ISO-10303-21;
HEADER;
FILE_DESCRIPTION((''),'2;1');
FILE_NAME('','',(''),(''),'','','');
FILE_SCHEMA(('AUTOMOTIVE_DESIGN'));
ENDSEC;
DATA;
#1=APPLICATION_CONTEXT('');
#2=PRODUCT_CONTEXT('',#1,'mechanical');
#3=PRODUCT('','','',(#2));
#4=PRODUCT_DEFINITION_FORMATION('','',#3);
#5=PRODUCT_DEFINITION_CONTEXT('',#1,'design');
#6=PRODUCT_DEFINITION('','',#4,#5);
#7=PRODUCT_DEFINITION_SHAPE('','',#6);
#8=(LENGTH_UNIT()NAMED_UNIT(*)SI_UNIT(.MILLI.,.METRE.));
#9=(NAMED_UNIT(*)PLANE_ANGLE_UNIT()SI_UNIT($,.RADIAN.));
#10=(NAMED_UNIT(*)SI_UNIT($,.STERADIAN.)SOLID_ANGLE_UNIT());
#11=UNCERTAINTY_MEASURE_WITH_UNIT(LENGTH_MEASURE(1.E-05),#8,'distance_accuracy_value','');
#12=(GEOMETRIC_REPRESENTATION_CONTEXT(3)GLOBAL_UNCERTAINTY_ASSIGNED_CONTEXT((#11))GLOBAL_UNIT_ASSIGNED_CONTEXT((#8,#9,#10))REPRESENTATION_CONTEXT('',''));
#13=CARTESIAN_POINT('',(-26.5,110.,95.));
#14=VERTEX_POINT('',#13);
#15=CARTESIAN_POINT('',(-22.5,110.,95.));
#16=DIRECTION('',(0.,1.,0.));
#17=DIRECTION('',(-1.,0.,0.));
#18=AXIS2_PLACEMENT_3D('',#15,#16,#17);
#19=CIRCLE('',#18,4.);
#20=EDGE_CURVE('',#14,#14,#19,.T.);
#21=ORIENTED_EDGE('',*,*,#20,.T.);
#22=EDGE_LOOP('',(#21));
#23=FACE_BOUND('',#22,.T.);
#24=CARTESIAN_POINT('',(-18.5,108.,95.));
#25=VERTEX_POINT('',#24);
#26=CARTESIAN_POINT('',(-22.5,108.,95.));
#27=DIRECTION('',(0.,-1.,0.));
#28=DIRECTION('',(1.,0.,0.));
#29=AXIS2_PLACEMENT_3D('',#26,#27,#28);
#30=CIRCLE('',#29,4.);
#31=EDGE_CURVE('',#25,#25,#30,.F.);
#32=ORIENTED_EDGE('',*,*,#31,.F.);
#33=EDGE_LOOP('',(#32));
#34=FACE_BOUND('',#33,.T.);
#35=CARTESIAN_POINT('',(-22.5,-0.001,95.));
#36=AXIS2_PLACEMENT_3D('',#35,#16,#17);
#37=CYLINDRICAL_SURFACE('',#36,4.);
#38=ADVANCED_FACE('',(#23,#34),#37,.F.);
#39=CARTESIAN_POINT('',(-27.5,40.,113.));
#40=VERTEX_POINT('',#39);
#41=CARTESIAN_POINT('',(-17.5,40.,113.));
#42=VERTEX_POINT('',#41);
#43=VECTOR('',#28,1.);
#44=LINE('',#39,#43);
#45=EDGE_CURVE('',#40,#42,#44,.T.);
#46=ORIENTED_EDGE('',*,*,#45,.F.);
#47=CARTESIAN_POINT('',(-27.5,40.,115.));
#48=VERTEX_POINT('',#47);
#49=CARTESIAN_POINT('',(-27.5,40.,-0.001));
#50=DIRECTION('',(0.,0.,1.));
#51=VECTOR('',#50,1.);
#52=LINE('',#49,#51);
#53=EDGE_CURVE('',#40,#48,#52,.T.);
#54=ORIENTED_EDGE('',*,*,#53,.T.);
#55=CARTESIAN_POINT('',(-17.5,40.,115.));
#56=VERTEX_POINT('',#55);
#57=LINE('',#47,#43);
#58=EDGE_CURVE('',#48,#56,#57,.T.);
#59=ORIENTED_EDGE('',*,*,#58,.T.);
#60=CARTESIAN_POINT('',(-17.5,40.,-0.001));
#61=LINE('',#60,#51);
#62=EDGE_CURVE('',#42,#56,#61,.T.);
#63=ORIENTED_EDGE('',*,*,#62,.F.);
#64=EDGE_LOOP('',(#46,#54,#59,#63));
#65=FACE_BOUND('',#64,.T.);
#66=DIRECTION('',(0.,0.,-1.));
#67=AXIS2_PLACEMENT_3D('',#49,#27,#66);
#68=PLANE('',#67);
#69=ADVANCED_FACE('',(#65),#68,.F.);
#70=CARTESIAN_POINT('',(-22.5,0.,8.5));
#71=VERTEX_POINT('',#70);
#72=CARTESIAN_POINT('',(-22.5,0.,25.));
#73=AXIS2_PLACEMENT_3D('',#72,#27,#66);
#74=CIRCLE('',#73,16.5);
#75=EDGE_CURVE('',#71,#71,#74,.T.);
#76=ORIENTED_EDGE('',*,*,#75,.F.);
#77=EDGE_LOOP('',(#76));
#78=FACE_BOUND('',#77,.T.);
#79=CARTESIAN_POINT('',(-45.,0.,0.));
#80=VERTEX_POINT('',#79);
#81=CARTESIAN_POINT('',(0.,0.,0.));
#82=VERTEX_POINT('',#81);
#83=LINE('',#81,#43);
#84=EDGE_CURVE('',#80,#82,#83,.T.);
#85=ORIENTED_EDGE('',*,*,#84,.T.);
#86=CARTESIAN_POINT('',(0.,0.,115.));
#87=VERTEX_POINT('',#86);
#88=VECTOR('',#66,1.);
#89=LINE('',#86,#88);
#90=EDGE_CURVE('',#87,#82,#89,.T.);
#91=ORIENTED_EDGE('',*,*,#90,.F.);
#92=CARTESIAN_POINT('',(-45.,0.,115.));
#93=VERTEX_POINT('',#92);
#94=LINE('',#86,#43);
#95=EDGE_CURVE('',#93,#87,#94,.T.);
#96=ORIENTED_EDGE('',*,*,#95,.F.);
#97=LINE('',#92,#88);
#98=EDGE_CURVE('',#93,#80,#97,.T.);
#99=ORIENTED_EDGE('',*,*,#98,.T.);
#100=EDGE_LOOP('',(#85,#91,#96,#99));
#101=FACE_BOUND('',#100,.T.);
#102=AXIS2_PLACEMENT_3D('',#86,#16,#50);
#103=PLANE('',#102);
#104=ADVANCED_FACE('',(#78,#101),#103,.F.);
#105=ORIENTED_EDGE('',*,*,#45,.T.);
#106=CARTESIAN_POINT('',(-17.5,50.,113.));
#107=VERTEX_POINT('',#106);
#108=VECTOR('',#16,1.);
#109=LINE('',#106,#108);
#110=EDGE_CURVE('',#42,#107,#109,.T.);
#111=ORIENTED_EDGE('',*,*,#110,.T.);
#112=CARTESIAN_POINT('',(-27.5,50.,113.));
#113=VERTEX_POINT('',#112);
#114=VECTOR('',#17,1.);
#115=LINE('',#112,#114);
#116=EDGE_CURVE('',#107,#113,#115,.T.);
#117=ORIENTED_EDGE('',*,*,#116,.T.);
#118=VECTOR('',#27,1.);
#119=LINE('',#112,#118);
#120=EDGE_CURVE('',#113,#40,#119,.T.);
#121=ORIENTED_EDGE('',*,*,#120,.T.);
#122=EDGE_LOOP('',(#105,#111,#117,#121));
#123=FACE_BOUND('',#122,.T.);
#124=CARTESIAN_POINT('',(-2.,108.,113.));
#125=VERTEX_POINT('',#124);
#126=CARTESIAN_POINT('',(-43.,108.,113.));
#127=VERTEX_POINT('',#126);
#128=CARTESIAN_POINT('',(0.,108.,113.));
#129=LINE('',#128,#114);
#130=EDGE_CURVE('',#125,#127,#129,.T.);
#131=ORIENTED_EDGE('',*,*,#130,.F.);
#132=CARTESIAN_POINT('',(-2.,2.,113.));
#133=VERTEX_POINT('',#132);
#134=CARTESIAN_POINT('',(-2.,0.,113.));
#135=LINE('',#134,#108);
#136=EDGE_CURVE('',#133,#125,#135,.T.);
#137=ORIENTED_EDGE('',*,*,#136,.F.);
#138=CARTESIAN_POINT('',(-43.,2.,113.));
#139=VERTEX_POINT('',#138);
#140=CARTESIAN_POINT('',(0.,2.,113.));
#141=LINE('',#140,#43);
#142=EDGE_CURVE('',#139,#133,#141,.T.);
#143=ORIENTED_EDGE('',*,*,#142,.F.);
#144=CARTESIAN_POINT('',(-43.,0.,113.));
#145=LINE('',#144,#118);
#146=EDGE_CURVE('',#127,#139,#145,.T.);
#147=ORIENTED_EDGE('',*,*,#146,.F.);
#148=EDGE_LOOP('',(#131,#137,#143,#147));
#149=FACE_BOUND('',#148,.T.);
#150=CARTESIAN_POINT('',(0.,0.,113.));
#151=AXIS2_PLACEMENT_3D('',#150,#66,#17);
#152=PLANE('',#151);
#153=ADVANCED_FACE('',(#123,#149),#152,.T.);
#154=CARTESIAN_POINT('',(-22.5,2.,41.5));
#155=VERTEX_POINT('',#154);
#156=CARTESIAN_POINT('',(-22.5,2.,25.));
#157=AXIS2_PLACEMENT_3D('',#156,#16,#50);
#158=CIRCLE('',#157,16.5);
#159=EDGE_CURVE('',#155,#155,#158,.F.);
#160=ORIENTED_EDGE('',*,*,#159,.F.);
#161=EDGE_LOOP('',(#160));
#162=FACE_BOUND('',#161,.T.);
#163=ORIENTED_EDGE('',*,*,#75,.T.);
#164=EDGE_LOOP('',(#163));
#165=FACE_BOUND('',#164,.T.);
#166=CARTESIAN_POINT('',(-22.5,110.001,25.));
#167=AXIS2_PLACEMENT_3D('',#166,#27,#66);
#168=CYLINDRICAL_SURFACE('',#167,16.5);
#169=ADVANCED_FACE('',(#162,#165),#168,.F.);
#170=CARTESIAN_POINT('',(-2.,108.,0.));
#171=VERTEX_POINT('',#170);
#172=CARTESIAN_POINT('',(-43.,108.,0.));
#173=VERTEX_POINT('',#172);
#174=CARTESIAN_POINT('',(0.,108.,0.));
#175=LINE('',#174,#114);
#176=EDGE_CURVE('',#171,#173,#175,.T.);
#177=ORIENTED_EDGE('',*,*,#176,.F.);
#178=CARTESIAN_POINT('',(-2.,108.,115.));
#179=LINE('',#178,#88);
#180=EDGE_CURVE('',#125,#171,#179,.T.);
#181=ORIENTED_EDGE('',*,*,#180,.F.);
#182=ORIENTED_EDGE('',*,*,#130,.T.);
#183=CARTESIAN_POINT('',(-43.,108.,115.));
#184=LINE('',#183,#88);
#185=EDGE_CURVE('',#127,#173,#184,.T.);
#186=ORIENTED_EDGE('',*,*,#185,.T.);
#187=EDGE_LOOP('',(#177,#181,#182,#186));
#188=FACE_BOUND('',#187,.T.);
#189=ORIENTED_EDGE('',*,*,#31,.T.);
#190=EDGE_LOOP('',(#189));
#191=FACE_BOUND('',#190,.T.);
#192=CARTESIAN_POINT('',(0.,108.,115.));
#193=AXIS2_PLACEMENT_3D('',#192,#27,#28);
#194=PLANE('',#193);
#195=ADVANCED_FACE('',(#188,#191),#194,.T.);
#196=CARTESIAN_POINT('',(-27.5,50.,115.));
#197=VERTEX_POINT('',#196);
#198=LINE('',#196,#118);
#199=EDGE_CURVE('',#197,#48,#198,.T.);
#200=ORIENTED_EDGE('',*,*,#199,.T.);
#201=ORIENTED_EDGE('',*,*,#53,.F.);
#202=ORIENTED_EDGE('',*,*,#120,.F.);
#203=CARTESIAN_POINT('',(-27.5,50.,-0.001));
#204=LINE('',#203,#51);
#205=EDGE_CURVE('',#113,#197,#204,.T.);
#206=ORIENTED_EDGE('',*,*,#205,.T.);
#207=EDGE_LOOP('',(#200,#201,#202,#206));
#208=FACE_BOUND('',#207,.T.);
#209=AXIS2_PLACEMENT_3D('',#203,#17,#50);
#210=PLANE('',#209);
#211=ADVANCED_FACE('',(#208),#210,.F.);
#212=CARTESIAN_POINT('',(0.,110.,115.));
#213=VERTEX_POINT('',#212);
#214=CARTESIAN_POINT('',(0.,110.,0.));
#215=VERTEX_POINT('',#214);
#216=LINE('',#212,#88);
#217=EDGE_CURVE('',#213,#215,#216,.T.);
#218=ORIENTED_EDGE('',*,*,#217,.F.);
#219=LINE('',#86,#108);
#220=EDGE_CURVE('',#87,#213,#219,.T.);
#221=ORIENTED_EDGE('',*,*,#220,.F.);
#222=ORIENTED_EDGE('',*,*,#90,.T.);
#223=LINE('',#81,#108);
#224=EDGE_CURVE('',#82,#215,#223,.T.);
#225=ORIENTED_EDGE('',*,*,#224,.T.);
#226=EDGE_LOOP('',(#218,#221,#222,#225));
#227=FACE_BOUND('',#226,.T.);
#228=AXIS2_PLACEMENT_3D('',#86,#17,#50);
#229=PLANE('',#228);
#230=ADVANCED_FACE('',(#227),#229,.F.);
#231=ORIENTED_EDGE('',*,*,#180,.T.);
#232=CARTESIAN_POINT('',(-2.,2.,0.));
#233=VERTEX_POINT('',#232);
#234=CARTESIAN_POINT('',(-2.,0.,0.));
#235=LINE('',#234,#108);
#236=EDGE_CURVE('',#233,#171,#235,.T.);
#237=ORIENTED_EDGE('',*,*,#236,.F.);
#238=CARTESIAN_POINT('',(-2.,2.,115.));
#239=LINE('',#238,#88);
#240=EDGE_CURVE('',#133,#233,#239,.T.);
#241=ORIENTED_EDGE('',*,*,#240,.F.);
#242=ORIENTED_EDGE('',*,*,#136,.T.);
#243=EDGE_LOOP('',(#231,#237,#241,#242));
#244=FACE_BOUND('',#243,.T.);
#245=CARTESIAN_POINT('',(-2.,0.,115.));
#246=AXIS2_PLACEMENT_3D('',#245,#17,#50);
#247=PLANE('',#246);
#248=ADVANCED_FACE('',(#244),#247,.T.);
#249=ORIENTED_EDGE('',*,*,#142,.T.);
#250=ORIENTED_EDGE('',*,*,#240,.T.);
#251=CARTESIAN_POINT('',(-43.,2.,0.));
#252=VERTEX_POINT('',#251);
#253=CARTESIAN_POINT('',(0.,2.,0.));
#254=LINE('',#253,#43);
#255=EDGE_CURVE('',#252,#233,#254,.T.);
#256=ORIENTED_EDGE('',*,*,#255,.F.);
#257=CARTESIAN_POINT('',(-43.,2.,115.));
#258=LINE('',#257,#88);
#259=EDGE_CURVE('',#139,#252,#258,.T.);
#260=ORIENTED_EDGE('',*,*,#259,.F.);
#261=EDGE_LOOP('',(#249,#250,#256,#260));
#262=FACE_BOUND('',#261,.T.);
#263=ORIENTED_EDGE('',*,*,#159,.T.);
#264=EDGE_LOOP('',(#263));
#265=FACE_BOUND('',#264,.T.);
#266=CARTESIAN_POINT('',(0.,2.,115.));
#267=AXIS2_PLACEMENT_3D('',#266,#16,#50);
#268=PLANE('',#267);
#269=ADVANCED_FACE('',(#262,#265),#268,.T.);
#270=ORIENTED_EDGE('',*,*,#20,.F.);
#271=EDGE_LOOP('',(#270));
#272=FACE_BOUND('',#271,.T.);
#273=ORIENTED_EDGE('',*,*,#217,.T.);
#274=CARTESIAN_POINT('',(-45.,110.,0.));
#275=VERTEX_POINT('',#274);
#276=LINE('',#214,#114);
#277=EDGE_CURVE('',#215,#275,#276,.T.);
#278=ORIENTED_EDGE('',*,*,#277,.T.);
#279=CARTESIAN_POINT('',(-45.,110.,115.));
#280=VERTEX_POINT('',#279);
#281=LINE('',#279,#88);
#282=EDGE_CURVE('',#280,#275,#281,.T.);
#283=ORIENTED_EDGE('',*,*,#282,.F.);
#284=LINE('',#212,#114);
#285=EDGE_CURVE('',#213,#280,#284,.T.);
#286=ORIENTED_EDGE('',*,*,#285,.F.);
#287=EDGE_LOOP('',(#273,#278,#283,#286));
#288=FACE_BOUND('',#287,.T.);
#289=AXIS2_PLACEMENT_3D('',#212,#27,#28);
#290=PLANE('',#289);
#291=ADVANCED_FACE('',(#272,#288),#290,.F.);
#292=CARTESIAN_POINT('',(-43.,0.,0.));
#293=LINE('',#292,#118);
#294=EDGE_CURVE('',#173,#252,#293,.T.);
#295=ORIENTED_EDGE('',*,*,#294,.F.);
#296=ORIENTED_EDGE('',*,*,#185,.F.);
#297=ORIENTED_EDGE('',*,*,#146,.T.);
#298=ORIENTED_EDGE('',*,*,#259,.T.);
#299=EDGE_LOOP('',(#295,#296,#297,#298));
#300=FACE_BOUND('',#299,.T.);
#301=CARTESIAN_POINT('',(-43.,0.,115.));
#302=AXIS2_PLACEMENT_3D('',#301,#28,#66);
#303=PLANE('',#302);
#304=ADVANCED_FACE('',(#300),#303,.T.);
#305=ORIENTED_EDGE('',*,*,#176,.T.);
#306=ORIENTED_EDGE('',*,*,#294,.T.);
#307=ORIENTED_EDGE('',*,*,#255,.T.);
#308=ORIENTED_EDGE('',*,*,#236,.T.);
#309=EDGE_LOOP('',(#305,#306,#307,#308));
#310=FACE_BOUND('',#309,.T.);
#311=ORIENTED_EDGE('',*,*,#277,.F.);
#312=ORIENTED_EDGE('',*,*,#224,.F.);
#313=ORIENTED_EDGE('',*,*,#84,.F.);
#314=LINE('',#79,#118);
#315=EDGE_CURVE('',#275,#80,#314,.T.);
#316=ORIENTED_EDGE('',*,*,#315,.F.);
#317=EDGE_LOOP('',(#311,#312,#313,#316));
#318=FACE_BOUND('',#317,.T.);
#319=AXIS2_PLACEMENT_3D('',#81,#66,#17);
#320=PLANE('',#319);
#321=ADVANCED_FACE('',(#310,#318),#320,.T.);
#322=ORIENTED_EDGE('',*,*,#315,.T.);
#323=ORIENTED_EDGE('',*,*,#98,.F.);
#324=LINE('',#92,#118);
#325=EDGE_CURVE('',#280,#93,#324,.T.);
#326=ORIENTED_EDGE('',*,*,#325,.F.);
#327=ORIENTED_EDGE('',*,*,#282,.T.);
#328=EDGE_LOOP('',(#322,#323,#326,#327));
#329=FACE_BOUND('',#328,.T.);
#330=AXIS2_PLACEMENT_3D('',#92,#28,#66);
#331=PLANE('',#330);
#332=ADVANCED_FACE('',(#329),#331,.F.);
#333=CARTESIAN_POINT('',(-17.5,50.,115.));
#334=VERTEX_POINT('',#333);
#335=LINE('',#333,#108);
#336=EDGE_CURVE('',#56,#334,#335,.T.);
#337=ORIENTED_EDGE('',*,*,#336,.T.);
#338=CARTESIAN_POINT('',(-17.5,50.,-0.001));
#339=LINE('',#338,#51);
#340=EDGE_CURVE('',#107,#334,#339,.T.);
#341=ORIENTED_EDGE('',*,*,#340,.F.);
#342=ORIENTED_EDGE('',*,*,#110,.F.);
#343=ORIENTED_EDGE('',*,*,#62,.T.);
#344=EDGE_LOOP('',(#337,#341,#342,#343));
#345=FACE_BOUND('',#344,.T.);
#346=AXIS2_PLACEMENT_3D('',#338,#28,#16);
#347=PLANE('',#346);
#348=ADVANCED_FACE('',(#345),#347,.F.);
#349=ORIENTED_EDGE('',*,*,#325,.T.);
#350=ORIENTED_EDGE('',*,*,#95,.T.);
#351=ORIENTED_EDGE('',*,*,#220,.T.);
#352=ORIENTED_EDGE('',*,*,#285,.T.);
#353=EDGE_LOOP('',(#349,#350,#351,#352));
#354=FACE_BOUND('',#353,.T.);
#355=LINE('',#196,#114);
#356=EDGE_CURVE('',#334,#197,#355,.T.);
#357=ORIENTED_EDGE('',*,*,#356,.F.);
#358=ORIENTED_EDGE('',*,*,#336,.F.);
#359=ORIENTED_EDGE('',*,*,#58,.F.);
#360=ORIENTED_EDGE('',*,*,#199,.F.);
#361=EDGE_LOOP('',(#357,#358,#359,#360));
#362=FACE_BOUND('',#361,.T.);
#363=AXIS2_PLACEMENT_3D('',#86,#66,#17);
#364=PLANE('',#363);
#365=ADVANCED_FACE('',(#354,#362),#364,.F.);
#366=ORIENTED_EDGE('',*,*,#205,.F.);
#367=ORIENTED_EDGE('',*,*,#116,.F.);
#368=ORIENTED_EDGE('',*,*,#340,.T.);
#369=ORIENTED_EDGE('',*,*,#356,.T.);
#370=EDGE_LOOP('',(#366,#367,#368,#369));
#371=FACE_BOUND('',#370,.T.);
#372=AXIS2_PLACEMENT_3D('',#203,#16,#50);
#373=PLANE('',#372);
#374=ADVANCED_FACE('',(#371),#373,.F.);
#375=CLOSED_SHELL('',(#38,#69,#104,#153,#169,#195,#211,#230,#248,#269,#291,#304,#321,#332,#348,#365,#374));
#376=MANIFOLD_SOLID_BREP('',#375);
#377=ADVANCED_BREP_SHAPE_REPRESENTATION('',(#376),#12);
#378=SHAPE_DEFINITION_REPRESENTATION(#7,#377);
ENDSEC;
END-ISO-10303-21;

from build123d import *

# Parameters (mm, degrees)
SKETCH1_W           = 110
SKETCH1_H           = 45
BOSS_EXTRUDE1_DEPTH = 115
SHELL1_T            = -2
CUT_EXTRUDE1_REACH  = 167.378
SKETCH2_R           = 16.5
CUT_EXTRUDE2_REACH  = 167.378
SKETCH3_W           = 10
SKETCH3_H           = 10
CUT_EXTRUDE3_REACH  = 167.378
SKETCH4_R           = 4


with BuildPart() as part:
    # Sketch1 → Boss-Extrude1 (new body)
    with BuildSketch(Plane(origin=(0, 0, 0), x_dir=(0, 1, 0), z_dir=(0, 0, 1))):
        with Locations((55, 22.5)):
            Rectangle(SKETCH1_W, SKETCH1_H)
    extrude(amount=BOSS_EXTRUDE1_DEPTH)

    # Shell1
    shell1_openings = [part.faces().sort_by_distance(p)[0] for p in [
        (-22.5, 55, 0),
    ]]
    offset(amount=SHELL1_T, openings=shell1_openings, kind=Kind.INTERSECTION)

    # Sketch2 → Cut-Extrude1 (cut, up to next)
    with BuildSketch(Plane.XZ, mode=Mode.PRIVATE) as cut_extrude1_sk1:
        with Locations(Location((-22.5, 25, 0), (0, 0, 270))):
            Circle(SKETCH2_R)
    cut_extrude1_tool1 = extrude(cut_extrude1_sk1.sketch, amount=-CUT_EXTRUDE1_REACH, mode=Mode.PRIVATE) & part.part
    add(cut_extrude1_tool1.solids().sort_by_distance((-22.5, 0, 25))[0], mode=Mode.SUBTRACT)

    # Sketch3 → Cut-Extrude2 (cut, up to next)
    with BuildSketch(Plane.XY.offset(115), mode=Mode.PRIVATE) as cut_extrude2_sk1:
        with Locations((-22.5, 45)):
            Rectangle(SKETCH3_W, SKETCH3_H)
    cut_extrude2_tool1 = extrude(cut_extrude2_sk1.sketch, amount=-CUT_EXTRUDE2_REACH, mode=Mode.PRIVATE) & part.part
    add(cut_extrude2_tool1.solids().sort_by_distance((-22.5, 45, 115))[0], mode=Mode.SUBTRACT)

    # Sketch4 → Cut-Extrude3 (cut, up to next)
    with BuildSketch(Plane(origin=(0, 110, 0), x_dir=(-1, 0, 0), z_dir=(0, 1, 0)), mode=Mode.PRIVATE) as cut_extrude3_sk1:
        with Locations((22.5, 95)):
            Circle(SKETCH4_R)
    cut_extrude3_tool1 = extrude(cut_extrude3_sk1.sketch, amount=-CUT_EXTRUDE3_REACH, mode=Mode.PRIVATE) & part.part
    add(cut_extrude3_tool1.solids().sort_by_distance((-22.5, 110, 95))[0], mode=Mode.SUBTRACT)


solid = part.part
